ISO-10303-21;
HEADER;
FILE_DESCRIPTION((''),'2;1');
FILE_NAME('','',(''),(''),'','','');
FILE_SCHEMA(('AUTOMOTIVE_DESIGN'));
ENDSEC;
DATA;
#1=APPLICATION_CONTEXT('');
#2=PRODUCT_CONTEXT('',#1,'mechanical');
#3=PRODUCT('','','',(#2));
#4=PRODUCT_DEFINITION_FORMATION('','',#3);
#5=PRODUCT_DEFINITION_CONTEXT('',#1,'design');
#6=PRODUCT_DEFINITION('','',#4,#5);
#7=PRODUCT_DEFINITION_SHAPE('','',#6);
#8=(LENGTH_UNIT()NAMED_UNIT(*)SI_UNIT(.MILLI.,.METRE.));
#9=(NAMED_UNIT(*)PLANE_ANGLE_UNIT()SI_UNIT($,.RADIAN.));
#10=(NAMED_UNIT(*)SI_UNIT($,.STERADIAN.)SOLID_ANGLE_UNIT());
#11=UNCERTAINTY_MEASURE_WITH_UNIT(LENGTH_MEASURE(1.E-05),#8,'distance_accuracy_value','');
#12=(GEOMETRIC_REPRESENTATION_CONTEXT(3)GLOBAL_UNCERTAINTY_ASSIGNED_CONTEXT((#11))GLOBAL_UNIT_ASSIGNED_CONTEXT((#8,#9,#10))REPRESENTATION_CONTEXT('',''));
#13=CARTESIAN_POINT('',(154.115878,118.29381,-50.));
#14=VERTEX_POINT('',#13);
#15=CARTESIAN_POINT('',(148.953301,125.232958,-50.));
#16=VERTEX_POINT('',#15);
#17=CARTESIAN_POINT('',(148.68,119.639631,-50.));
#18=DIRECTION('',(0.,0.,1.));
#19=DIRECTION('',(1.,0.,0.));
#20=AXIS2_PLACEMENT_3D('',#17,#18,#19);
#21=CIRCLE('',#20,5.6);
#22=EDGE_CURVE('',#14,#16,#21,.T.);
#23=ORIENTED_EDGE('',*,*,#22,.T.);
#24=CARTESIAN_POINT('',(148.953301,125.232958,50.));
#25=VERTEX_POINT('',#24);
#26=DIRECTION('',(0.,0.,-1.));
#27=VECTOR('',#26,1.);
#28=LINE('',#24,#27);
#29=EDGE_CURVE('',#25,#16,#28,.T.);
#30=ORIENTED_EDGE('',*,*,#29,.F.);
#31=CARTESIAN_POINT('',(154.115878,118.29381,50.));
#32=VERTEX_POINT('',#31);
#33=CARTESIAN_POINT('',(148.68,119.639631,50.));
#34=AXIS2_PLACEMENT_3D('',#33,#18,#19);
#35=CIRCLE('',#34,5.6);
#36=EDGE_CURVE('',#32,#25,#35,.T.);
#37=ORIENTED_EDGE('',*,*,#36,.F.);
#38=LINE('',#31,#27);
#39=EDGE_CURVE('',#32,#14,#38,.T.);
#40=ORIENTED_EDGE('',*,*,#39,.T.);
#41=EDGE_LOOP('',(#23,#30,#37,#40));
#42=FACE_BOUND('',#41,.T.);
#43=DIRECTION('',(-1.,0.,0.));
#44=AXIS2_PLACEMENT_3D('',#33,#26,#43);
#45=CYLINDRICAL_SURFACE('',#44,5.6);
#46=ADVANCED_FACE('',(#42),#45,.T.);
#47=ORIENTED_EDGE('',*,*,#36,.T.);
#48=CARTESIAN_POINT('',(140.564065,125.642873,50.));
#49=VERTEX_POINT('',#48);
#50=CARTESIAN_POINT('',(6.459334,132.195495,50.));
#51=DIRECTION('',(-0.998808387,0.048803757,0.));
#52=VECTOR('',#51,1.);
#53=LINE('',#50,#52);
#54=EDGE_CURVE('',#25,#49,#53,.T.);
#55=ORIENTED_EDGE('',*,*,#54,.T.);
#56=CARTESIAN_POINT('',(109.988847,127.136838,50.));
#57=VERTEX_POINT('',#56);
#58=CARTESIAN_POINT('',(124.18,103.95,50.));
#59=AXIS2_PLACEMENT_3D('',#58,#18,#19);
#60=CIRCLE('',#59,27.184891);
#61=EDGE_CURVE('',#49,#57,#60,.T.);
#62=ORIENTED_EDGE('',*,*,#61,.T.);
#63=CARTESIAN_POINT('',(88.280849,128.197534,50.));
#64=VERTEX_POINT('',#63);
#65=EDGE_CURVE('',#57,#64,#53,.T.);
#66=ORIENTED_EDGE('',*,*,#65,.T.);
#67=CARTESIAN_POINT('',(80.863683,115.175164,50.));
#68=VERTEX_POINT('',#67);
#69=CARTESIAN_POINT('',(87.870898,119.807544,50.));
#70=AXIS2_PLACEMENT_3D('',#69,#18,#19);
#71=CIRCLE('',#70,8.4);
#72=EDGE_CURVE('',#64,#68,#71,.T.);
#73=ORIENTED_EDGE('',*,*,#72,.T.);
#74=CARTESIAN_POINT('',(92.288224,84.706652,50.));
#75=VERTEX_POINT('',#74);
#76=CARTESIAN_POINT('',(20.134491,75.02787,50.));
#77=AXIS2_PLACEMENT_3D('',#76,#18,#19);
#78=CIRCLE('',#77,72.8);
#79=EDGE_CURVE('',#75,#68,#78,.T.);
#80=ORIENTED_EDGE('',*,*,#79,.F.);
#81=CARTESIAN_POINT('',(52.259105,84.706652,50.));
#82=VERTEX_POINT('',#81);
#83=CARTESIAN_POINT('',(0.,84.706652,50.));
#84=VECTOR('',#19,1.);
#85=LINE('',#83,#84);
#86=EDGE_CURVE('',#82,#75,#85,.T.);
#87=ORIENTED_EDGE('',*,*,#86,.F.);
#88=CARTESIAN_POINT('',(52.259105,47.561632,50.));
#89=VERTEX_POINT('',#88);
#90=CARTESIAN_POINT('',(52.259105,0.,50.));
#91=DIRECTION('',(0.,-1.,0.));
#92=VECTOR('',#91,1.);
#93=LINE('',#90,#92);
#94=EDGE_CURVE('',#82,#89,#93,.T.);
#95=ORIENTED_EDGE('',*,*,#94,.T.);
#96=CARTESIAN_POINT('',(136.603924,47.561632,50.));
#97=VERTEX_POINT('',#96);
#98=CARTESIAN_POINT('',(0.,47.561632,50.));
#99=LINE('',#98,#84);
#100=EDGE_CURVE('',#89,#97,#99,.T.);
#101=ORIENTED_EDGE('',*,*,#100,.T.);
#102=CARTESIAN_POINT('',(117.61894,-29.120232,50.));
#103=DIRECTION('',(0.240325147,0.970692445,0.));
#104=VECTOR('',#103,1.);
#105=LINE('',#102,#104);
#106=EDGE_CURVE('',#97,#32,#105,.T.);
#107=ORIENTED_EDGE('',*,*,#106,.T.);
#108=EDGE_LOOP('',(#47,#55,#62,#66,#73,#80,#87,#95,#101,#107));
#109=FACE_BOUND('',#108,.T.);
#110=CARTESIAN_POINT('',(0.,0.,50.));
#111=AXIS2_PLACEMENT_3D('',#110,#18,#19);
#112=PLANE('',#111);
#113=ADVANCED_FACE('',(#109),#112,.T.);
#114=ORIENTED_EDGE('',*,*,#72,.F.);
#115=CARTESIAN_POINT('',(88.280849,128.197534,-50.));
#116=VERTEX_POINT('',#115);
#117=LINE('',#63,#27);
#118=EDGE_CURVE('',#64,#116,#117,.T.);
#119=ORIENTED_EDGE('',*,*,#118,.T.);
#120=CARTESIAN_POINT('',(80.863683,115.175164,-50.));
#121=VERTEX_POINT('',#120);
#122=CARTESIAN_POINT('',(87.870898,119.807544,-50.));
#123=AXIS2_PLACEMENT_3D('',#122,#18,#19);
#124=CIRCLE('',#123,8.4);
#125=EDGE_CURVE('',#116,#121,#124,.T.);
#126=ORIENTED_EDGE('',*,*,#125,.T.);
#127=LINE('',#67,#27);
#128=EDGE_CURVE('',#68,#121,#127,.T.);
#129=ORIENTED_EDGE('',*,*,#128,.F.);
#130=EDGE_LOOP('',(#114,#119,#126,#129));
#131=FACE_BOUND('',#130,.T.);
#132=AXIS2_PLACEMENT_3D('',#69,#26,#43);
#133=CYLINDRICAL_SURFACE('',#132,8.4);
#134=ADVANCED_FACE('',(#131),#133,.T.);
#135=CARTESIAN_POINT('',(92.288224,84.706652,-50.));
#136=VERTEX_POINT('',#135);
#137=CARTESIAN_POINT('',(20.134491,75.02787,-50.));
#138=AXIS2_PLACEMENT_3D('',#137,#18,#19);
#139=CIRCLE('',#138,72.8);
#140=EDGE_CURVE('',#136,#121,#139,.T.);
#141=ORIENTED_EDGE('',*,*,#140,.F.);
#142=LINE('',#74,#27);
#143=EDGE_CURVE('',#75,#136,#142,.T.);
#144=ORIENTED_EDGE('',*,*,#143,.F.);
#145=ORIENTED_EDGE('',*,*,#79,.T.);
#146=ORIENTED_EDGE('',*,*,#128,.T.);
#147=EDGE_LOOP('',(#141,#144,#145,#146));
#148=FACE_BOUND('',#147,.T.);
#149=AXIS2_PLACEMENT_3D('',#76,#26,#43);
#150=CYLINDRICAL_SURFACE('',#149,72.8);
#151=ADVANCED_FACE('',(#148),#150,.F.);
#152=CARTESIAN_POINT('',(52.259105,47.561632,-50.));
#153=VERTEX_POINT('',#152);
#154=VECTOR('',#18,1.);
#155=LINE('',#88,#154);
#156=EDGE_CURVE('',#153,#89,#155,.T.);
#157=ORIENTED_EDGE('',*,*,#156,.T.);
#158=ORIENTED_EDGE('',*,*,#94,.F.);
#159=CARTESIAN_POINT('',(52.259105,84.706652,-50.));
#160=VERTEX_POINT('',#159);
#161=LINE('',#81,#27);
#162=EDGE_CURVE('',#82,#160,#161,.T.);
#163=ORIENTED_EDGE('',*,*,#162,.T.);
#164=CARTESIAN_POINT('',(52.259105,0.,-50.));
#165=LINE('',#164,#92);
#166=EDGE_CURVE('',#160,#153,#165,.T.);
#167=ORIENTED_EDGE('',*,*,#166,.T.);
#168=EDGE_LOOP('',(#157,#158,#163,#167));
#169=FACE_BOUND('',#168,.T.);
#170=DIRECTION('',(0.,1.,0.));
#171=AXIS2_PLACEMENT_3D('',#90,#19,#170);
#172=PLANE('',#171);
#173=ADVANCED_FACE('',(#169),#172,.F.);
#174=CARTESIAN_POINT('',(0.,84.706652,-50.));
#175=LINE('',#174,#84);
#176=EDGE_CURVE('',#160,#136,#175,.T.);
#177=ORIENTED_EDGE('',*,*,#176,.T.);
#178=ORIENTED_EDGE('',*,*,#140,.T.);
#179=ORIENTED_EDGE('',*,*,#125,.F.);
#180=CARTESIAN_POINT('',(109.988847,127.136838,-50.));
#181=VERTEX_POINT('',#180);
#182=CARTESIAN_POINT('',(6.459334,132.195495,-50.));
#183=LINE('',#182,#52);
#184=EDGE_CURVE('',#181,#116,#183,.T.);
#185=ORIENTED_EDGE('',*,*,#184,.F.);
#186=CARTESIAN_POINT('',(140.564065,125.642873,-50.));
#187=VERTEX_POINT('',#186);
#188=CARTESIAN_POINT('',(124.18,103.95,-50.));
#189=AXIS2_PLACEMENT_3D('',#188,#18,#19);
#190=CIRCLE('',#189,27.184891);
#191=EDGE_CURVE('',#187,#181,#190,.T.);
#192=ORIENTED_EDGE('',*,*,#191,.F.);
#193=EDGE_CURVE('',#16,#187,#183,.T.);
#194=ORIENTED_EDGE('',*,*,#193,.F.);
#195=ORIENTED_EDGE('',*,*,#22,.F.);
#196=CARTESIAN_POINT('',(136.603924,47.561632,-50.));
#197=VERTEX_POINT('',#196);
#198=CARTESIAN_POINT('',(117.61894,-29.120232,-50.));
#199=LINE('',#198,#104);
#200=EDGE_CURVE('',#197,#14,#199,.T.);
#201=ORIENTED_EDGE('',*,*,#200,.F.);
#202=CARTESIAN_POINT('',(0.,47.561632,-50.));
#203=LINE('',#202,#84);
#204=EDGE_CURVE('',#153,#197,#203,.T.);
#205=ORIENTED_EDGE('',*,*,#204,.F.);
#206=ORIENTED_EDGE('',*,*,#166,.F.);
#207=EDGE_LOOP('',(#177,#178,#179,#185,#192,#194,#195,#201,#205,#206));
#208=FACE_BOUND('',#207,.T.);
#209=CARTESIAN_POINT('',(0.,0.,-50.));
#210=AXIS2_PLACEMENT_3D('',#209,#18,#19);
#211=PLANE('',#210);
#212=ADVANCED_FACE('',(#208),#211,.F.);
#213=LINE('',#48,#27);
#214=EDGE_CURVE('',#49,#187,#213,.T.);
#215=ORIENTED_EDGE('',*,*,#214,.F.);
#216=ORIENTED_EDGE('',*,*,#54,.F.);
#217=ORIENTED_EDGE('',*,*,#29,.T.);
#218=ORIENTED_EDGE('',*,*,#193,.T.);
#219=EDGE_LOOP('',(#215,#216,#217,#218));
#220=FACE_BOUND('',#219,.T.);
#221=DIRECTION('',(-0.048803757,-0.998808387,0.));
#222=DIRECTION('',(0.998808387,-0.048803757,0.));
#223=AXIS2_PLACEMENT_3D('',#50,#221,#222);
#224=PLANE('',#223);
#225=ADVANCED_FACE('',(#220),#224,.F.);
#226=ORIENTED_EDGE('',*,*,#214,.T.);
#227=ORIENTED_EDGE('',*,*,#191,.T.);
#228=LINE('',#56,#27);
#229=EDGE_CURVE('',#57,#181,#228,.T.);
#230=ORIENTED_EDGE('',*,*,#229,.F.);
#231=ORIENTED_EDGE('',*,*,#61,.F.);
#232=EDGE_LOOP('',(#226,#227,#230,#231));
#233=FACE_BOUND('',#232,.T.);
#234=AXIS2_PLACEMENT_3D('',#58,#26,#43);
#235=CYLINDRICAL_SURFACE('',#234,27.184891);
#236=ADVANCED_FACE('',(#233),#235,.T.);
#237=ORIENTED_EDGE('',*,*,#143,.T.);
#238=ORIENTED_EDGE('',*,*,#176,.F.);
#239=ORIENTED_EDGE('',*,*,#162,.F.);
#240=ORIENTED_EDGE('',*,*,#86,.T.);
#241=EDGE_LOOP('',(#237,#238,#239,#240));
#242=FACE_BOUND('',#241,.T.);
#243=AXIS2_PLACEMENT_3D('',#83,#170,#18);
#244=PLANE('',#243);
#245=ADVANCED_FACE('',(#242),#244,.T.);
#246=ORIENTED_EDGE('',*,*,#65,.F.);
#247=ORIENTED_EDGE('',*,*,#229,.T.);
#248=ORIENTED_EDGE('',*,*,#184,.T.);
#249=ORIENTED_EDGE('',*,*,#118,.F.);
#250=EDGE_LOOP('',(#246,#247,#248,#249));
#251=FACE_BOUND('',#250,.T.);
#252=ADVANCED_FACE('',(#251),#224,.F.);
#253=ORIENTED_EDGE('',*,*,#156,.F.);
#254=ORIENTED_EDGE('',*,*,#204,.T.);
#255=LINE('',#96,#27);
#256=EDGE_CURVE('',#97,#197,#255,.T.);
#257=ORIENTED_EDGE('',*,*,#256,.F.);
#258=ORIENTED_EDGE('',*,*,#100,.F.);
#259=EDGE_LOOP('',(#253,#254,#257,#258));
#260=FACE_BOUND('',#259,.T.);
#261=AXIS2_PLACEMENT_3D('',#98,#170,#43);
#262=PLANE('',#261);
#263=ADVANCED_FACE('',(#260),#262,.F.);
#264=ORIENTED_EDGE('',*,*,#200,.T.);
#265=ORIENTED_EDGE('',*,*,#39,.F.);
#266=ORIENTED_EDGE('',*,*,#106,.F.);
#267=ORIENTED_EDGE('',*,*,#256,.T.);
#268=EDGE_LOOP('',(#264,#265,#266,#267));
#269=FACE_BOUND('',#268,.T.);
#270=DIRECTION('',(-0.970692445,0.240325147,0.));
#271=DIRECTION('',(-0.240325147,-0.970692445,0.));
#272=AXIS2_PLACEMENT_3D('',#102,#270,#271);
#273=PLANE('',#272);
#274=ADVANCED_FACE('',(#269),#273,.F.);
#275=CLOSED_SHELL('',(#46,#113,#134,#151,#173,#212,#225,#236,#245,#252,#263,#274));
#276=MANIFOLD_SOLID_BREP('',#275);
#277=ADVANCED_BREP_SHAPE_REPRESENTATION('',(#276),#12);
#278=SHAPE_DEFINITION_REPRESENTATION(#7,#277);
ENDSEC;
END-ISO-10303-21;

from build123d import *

# Parameters (mm, degrees)
EXTRUDE_1_DEPTH                = 50
SPLIT_BODIES_1_SURFACE_1_BACK  = 226.829
SPLIT_BODIES_1_SURFACE_1_DEPTH = 453.658
SPLIT_BODIES_1_SURFACE_2_BACK  = 226.829
SPLIT_BODIES_1_SURFACE_2_DEPTH = 453.658


with BuildPart() as part:
    # 草图2 → 凸台-拉伸1 (new, symmetric)
    with BuildSketch(Plane.XY):
        with BuildLine():
            Line((120.381757685, 47.561632043), (136.603924057, 47.561632043))
            Line((136.603924057, 47.561632043), (146.850265064, 88.947420909))
            ThreePointArc((146.850265064, 88.947420909), (104.62030332, 85.070472378), (109.988846824, 127.136838271))
            Line((109.988846824, 127.136838271), (88.280849451, 128.197534042))
            ThreePointArc((88.280849451, 128.197534042), (80.571822415, 123.964886157), (80.863683371, 115.175163571))
            ThreePointArc((80.863683371, 115.175163571), (88.300101913, 100.587398022), (92.288223879, 84.706651578))
            Line((92.288223879, 84.706651578), (52.259104564, 84.706651578))
            Line((52.259104564, 84.706651578), (52.259104564, 37.347972633))
            Line((52.259104564, 37.347972633), (26.12059868, 28.530814049))
            Line((26.12059868, 28.530814049), (0, 28.530814049))
            Line((0, 28.530814049), (0, 0))
            Line((0, 0), (140.98, 0))
            Line((140.98, 0), (131.928221984, 26.834036233))
            Line((131.928221984, 26.834036233), (115.249995775, 26.834036233))
            Line((115.249995775, 26.834036233), (120.381757685, 47.561632043))
        make_face()
        with BuildLine():
            ThreePointArc((109.988846824, 127.136838271), (104.62030332, 85.070472378), (146.850265064, 88.947420909))
            Line((146.850265064, 88.947420909), (151.231226865, 106.642475172))
            ThreePointArc((151.231226865, 106.642475172), (147.884639105, 117.258207331), (140.564064785, 125.64287253))
            Line((140.564064785, 125.64287253), (109.988846824, 127.136838271))
        make_face()
        with BuildLine():
            ThreePointArc((140.564064785, 125.64287253), (125.506724817, 131.102497099), (109.988846824, 127.136838271))
            Line((109.988846824, 127.136838271), (140.564064785, 125.64287253))
        make_face()
        with BuildLine():
            ThreePointArc((140.564064785, 125.64287253), (147.884639105, 117.258207331), (151.231226865, 106.642475172))
            Line((151.231226865, 106.642475172), (154.115877694, 118.293810031))
            ThreePointArc((154.115877694, 118.293810031), (153.172952645, 122.982290954), (148.95330104, 125.232957822))
            Line((148.95330104, 125.232957822), (140.564064785, 125.64287253))
        make_face()
    extrude(amount=EXTRUDE_1_DEPTH, both=True)


with BuildPart() as body_2:
    # Split Bodies 1: the piece behind the surface
    add(part.part)
    # Split Bodies 1 surface: a surface, the sketch's curves swept straight by 453.658 mm
    with BuildLine(Plane.XY.offset(50).offset(-SPLIT_BODIES_1_SURFACE_1_BACK), mode=Mode.PRIVATE) as split_bodies_1_surface_1_path:
        Line((120.381757685, 47.561632043), (52.259104564, 47.561632043))
    split_bodies_1_surface_1 = Shell.extrude(split_bodies_1_surface_1_path.wire(), (0 * SPLIT_BODIES_1_SURFACE_1_DEPTH, 0 * SPLIT_BODIES_1_SURFACE_1_DEPTH, 1 * SPLIT_BODIES_1_SURFACE_1_DEPTH))
    split(bisect_by=split_bodies_1_surface_1, keep=Keep.BOTTOM)


with BuildPart() as part_1:
    add(part.part)

    # Split Bodies 1: split by a surface, the side it looks to stays
    # Split Bodies 1 surface: a surface, the sketch's curves swept straight by 453.658 mm
    with BuildLine(Plane.XY.offset(50).offset(-SPLIT_BODIES_1_SURFACE_2_BACK), mode=Mode.PRIVATE) as split_bodies_1_surface_2_path:
        Line((120.381757685, 47.561632043), (52.259104564, 47.561632043))
    split_bodies_1_surface_2 = Shell.extrude(split_bodies_1_surface_2_path.wire(), (0 * SPLIT_BODIES_1_SURFACE_2_DEPTH, 0 * SPLIT_BODIES_1_SURFACE_2_DEPTH, 1 * SPLIT_BODIES_1_SURFACE_2_DEPTH))
    split(bisect_by=split_bodies_1_surface_2, keep=Keep.TOP)


solid = body_2.part
